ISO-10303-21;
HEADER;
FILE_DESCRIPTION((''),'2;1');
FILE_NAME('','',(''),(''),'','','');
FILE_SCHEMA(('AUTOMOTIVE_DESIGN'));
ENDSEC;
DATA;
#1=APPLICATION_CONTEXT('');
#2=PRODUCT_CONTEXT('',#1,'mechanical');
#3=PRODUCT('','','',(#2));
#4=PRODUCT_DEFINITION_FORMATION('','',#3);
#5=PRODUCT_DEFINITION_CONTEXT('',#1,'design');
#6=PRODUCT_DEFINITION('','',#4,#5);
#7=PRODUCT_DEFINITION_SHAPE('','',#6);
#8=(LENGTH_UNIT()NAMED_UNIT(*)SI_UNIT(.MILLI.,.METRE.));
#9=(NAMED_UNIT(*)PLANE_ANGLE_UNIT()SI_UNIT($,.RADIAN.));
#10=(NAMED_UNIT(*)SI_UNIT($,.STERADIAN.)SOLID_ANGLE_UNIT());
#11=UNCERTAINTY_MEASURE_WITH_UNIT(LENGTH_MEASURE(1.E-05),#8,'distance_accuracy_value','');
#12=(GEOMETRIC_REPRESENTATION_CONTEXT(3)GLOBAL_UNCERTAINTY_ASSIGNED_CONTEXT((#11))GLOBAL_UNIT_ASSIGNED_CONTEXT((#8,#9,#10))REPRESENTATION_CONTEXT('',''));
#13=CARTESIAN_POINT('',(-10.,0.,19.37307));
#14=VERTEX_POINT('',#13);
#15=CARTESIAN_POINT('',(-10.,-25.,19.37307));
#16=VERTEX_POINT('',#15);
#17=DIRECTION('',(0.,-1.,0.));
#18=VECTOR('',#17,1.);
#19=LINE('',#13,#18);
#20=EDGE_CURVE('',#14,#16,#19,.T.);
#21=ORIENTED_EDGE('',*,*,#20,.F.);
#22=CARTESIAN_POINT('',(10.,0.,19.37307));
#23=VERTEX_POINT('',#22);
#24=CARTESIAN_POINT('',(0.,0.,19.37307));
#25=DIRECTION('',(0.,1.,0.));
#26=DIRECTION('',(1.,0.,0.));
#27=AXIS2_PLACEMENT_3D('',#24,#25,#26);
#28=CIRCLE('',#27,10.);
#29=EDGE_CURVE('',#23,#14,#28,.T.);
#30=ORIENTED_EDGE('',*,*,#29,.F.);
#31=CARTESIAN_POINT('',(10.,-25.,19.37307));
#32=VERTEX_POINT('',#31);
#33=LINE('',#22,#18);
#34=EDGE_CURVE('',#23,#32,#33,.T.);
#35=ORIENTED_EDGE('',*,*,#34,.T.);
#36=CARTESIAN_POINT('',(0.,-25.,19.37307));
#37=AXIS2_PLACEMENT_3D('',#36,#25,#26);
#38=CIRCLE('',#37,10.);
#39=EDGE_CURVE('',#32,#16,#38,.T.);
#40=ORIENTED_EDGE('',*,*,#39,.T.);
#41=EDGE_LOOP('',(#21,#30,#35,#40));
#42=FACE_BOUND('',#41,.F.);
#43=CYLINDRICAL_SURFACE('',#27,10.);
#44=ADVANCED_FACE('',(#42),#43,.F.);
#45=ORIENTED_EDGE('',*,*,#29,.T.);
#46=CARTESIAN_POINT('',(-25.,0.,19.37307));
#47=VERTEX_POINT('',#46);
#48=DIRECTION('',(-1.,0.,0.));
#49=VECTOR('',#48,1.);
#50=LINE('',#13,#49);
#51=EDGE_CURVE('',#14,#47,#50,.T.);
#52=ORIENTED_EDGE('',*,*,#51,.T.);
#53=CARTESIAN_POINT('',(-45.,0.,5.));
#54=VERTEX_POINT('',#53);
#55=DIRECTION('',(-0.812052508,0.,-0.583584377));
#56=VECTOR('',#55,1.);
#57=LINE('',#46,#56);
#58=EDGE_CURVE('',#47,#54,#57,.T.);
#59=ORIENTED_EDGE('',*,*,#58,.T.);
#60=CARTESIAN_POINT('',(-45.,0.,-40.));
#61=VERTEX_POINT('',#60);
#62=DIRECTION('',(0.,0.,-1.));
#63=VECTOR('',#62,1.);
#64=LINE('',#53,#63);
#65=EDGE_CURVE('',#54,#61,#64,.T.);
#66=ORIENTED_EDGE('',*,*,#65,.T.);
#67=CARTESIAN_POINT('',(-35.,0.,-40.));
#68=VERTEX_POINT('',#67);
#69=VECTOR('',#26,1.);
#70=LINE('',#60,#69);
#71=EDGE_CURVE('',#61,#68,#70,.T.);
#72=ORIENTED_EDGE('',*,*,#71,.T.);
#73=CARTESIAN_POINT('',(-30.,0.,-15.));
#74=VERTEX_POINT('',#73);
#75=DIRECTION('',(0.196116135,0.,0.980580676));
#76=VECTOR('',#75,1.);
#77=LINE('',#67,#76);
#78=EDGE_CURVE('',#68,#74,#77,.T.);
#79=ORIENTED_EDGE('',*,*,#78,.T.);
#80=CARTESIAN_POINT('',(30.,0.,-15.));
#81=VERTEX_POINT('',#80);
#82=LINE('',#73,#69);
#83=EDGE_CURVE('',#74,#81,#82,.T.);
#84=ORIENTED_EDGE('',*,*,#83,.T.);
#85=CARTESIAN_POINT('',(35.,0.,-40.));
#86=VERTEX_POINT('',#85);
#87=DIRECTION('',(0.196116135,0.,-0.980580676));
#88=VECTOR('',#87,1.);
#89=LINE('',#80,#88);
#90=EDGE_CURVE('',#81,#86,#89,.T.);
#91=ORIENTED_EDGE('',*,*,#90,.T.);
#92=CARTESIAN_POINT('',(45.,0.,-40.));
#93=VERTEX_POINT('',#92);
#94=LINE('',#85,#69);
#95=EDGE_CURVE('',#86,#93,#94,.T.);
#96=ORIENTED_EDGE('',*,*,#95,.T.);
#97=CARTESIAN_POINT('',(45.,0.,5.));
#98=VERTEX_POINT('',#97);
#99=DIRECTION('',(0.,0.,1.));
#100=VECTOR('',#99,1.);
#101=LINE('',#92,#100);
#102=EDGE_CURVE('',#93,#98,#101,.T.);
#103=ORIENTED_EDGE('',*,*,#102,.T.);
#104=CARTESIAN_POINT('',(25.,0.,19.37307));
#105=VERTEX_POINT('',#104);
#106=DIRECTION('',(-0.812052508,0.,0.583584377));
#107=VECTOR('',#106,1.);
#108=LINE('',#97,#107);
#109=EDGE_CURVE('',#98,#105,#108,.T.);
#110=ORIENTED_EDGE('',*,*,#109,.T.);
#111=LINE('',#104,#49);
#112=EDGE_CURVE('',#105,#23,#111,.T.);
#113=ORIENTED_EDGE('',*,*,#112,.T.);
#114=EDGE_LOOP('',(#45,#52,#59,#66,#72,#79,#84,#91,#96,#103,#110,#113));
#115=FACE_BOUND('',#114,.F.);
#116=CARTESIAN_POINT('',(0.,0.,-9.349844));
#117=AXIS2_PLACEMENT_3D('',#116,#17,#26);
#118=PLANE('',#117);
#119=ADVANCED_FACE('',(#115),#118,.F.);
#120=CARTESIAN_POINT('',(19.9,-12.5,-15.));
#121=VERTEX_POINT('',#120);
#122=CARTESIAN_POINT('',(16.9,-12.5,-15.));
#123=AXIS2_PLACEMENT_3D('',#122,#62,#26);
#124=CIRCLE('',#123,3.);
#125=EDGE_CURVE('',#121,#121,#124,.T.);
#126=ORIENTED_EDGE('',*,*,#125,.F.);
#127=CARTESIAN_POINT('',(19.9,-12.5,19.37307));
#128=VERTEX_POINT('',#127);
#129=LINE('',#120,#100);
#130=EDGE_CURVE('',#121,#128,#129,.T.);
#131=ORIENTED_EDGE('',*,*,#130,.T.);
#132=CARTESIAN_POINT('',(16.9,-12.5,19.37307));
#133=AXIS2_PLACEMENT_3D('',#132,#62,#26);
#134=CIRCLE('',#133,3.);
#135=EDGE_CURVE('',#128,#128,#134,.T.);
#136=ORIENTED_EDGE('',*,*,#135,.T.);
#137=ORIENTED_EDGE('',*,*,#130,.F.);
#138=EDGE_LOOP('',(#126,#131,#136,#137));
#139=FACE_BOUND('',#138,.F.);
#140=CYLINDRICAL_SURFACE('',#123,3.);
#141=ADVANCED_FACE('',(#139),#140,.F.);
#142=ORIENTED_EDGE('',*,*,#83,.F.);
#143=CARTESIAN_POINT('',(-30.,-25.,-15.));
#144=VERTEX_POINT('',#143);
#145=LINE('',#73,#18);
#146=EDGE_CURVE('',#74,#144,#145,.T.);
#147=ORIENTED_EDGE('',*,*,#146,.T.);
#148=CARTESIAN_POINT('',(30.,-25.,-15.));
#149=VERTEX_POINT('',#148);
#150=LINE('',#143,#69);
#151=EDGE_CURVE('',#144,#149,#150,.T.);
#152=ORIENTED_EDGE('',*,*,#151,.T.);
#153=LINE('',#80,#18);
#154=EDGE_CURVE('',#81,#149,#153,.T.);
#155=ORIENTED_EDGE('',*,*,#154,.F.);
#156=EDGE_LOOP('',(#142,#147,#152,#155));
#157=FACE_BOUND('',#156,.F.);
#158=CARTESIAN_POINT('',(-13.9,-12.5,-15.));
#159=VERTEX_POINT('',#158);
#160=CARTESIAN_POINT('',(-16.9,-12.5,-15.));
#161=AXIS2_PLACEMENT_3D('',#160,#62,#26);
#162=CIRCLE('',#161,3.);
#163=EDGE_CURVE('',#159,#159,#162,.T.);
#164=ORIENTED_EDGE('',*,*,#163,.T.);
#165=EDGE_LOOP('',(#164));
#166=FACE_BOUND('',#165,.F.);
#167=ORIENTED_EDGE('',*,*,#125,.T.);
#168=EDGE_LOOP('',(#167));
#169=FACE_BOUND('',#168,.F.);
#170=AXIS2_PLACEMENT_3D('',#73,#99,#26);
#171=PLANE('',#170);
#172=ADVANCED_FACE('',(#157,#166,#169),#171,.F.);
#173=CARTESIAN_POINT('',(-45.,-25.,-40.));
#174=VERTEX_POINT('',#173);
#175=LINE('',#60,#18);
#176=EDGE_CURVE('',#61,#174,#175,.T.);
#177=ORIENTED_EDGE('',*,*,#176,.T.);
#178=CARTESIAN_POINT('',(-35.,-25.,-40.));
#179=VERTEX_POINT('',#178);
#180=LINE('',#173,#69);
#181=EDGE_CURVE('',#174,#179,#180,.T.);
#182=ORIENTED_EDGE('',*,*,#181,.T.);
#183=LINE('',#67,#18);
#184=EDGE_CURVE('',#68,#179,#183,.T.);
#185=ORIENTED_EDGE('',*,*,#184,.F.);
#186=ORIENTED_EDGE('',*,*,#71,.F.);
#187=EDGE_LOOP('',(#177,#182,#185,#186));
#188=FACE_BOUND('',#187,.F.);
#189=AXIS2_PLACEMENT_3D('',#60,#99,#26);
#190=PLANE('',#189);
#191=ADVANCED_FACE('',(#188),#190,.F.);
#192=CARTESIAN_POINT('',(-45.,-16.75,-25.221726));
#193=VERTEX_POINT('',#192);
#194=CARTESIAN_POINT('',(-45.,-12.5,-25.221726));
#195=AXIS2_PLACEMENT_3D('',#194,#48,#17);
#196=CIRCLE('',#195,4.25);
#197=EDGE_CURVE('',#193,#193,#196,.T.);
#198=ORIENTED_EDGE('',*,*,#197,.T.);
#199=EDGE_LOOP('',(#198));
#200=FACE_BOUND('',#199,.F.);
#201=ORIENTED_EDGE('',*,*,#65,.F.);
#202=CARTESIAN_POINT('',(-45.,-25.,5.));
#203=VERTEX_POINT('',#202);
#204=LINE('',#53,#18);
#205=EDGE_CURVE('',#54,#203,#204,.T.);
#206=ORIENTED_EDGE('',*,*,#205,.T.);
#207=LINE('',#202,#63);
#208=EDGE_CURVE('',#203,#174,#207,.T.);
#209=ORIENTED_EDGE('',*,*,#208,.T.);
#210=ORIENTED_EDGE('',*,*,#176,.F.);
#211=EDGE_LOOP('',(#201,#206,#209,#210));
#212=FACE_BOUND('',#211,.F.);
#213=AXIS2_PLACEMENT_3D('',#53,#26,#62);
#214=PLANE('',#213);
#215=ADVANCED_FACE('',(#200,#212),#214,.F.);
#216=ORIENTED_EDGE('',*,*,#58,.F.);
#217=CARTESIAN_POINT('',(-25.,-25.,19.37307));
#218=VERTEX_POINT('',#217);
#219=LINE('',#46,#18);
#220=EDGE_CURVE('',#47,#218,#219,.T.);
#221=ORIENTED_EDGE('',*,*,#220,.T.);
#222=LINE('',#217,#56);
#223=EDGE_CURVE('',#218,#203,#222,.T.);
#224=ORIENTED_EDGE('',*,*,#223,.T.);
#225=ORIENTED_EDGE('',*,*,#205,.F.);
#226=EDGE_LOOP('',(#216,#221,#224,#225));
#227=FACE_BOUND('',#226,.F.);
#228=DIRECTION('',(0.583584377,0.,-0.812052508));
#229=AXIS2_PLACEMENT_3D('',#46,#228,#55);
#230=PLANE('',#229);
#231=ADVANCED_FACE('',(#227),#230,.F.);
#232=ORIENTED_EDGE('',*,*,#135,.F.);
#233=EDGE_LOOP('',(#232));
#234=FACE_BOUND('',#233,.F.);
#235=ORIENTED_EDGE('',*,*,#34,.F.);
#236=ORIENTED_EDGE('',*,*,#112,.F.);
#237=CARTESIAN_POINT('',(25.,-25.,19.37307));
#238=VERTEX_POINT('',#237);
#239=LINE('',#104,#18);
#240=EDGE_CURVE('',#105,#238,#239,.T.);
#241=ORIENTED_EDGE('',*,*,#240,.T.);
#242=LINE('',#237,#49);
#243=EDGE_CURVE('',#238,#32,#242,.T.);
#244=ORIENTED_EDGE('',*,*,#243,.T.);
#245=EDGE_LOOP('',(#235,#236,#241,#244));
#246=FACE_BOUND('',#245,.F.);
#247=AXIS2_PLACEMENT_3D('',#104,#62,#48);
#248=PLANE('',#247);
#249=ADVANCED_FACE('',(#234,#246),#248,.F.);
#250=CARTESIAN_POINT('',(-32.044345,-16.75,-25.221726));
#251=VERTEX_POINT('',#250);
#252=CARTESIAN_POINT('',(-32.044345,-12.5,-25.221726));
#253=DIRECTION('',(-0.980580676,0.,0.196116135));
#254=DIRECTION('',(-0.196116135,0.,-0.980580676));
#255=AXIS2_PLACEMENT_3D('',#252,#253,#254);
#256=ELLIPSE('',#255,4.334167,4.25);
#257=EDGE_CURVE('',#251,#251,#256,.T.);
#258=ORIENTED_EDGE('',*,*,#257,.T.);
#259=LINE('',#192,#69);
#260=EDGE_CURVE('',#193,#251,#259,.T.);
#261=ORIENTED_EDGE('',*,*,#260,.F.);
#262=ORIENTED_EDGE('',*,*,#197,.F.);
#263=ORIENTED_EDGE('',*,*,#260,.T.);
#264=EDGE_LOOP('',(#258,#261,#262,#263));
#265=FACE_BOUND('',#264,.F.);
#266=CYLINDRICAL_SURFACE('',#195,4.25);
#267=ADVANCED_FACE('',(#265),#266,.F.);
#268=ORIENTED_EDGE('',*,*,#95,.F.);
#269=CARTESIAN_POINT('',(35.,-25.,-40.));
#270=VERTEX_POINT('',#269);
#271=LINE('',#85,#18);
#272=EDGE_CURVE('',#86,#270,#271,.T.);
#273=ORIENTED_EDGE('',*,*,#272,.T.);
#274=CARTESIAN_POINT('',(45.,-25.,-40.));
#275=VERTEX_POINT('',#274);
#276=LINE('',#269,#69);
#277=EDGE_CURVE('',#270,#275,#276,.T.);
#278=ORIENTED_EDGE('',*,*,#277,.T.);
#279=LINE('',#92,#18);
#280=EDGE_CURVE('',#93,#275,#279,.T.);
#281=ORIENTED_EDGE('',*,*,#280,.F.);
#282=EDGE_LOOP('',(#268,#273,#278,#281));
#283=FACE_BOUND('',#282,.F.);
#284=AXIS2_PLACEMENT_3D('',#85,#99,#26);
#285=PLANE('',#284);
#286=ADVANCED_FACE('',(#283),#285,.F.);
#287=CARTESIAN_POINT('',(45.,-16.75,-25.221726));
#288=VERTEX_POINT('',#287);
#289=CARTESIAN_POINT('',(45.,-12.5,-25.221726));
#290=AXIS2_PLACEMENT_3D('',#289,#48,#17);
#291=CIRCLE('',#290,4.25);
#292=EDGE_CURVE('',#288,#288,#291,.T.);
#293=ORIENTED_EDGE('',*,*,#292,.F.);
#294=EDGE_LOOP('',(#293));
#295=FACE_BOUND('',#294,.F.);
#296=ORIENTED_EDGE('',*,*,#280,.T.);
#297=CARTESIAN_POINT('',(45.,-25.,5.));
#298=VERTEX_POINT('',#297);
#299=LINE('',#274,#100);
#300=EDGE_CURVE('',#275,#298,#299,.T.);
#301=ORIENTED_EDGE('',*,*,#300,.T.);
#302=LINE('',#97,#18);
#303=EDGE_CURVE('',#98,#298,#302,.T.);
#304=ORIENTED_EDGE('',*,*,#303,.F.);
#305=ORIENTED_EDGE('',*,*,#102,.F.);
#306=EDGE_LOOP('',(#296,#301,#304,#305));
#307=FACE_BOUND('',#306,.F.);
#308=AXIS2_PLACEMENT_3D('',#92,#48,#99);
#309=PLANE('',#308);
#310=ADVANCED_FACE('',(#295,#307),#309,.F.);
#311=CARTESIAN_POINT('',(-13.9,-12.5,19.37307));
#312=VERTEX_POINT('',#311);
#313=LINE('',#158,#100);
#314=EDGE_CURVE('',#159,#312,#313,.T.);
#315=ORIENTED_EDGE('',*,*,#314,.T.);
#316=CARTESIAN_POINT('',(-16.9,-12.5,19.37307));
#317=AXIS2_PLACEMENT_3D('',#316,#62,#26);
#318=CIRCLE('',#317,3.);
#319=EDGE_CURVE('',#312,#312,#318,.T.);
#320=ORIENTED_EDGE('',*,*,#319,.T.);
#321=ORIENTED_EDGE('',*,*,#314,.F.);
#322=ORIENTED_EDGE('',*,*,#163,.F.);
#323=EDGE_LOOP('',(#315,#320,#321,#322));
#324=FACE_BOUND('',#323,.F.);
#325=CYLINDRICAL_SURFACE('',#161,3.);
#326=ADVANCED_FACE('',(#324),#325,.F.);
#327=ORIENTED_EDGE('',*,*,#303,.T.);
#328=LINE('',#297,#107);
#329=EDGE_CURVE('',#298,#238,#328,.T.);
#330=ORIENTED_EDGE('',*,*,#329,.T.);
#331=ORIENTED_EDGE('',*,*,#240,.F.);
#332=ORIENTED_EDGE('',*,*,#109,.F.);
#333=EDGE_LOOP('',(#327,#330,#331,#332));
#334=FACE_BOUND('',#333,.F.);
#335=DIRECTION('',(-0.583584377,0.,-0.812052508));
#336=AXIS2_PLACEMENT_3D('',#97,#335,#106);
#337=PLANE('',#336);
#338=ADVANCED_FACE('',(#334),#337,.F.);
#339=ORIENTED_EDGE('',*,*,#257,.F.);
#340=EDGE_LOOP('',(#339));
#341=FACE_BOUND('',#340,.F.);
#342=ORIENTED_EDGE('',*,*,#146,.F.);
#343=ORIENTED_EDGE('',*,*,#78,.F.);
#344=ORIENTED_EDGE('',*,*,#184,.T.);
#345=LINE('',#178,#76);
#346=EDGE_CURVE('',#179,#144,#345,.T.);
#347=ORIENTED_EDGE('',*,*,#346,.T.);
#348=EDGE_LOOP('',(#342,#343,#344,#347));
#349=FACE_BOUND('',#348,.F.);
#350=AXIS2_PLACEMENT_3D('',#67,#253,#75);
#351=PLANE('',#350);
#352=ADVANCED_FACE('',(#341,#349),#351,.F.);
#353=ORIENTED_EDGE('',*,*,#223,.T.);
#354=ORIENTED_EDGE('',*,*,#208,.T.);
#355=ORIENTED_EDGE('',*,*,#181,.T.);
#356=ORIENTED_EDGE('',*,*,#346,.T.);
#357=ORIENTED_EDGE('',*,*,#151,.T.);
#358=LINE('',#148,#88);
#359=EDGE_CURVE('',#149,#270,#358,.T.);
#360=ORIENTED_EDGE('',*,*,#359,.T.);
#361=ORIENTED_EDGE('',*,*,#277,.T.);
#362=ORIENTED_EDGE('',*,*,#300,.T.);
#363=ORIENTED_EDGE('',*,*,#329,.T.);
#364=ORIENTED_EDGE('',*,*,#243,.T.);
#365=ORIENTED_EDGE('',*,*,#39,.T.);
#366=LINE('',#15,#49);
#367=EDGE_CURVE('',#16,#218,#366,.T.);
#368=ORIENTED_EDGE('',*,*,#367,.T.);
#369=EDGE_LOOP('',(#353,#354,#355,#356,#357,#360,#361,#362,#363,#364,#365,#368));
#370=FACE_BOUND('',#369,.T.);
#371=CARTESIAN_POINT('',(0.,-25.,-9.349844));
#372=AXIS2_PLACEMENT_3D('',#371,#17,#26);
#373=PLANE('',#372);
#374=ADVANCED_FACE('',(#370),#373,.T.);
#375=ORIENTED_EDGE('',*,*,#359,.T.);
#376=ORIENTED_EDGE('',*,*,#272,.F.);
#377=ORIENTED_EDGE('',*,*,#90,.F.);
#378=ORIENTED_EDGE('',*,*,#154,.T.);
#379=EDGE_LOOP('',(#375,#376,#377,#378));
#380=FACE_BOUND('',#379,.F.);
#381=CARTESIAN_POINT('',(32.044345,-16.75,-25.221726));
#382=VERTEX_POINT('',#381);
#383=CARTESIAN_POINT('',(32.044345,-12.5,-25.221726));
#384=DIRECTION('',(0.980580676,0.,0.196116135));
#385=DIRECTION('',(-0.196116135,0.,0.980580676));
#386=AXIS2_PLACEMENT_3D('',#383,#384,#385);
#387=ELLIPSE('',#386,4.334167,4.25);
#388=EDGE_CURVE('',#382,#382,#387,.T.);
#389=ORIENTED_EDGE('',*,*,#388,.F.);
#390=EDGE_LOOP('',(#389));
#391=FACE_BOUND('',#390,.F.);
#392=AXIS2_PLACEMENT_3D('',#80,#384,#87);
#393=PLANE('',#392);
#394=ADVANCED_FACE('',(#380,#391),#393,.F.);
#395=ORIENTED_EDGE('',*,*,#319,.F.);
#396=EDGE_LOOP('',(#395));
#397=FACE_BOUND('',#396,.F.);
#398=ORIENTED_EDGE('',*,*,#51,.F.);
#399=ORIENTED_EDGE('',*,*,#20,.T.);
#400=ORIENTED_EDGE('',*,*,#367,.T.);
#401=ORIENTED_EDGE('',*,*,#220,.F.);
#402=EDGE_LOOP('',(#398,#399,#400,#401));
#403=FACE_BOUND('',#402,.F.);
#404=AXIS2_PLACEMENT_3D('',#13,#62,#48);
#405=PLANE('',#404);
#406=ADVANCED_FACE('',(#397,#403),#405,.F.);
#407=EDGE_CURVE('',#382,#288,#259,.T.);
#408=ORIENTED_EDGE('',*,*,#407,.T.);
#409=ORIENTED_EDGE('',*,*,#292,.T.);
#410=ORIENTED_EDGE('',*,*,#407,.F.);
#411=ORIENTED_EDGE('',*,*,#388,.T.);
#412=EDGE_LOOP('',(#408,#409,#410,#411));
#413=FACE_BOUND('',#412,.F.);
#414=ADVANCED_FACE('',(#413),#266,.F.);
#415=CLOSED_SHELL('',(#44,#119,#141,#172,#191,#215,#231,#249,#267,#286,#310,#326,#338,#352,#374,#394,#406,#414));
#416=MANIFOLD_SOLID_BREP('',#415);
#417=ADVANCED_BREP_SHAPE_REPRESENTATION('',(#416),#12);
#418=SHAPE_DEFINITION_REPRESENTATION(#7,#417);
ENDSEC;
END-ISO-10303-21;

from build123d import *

# Parameters (mm, degrees)
F1_DEPTH = 25
F2_R     = 3
F3_DEPTH = 34.37407
F4_R     = 4.25
F5_DEPTH = 90.001


with BuildPart() as f1:
    # F0 (on Front) → F1 (new body)
    with BuildSketch(Plane.XZ):
        with BuildLine():
            Line((-25, 19.37307), (-45, 5))
            Line((-45, 5), (-45, 0))
            Line((-45, 0), (-45, -40))
            Line((-45, -40), (-35, -40))
            Line((-35, -40), (-30, -15))
            Line((-30, -15), (0, -15))
            Line((0, -15), (30, -15))
            Line((30, -15), (35, -40))
            Line((35, -40), (45, -40))
            Line((45, -40), (45, 0))
            Line((45, 0), (45, 5))
            Line((45, 5), (25, 19.37307))
            Line((25, 19.37307), (10, 19.37307))
            ThreePointArc((10, 19.37307), (0, 9.37307), (-10, 19.37307))
            Line((-10, 19.37307), (-25, 19.37307))
        make_face()
    extrude(amount=F1_DEPTH)

    # F2 (on face) → F3 (cut, through all)
    with BuildSketch(Plane(origin=(0, 0, -15), x_dir=(1, 0, 0), z_dir=(0, 0, -1))):
        with Locations((-16.9, 12.5)):
            Circle(F2_R)
        with Locations((16.9, 12.5)):
            Circle(F2_R)
    extrude(amount=-F3_DEPTH, mode=Mode.SUBTRACT)

    # F4 (on face) → F5 (cut, through all)
    with BuildSketch(Plane(origin=(-45, 0, 0), x_dir=(0, -1, 0), z_dir=(-1, 0, 0))):
        with Locations((12.5, -25.221726)):
            Circle(F4_R)
    extrude(amount=-F5_DEPTH, mode=Mode.SUBTRACT)


solid = f1.part
